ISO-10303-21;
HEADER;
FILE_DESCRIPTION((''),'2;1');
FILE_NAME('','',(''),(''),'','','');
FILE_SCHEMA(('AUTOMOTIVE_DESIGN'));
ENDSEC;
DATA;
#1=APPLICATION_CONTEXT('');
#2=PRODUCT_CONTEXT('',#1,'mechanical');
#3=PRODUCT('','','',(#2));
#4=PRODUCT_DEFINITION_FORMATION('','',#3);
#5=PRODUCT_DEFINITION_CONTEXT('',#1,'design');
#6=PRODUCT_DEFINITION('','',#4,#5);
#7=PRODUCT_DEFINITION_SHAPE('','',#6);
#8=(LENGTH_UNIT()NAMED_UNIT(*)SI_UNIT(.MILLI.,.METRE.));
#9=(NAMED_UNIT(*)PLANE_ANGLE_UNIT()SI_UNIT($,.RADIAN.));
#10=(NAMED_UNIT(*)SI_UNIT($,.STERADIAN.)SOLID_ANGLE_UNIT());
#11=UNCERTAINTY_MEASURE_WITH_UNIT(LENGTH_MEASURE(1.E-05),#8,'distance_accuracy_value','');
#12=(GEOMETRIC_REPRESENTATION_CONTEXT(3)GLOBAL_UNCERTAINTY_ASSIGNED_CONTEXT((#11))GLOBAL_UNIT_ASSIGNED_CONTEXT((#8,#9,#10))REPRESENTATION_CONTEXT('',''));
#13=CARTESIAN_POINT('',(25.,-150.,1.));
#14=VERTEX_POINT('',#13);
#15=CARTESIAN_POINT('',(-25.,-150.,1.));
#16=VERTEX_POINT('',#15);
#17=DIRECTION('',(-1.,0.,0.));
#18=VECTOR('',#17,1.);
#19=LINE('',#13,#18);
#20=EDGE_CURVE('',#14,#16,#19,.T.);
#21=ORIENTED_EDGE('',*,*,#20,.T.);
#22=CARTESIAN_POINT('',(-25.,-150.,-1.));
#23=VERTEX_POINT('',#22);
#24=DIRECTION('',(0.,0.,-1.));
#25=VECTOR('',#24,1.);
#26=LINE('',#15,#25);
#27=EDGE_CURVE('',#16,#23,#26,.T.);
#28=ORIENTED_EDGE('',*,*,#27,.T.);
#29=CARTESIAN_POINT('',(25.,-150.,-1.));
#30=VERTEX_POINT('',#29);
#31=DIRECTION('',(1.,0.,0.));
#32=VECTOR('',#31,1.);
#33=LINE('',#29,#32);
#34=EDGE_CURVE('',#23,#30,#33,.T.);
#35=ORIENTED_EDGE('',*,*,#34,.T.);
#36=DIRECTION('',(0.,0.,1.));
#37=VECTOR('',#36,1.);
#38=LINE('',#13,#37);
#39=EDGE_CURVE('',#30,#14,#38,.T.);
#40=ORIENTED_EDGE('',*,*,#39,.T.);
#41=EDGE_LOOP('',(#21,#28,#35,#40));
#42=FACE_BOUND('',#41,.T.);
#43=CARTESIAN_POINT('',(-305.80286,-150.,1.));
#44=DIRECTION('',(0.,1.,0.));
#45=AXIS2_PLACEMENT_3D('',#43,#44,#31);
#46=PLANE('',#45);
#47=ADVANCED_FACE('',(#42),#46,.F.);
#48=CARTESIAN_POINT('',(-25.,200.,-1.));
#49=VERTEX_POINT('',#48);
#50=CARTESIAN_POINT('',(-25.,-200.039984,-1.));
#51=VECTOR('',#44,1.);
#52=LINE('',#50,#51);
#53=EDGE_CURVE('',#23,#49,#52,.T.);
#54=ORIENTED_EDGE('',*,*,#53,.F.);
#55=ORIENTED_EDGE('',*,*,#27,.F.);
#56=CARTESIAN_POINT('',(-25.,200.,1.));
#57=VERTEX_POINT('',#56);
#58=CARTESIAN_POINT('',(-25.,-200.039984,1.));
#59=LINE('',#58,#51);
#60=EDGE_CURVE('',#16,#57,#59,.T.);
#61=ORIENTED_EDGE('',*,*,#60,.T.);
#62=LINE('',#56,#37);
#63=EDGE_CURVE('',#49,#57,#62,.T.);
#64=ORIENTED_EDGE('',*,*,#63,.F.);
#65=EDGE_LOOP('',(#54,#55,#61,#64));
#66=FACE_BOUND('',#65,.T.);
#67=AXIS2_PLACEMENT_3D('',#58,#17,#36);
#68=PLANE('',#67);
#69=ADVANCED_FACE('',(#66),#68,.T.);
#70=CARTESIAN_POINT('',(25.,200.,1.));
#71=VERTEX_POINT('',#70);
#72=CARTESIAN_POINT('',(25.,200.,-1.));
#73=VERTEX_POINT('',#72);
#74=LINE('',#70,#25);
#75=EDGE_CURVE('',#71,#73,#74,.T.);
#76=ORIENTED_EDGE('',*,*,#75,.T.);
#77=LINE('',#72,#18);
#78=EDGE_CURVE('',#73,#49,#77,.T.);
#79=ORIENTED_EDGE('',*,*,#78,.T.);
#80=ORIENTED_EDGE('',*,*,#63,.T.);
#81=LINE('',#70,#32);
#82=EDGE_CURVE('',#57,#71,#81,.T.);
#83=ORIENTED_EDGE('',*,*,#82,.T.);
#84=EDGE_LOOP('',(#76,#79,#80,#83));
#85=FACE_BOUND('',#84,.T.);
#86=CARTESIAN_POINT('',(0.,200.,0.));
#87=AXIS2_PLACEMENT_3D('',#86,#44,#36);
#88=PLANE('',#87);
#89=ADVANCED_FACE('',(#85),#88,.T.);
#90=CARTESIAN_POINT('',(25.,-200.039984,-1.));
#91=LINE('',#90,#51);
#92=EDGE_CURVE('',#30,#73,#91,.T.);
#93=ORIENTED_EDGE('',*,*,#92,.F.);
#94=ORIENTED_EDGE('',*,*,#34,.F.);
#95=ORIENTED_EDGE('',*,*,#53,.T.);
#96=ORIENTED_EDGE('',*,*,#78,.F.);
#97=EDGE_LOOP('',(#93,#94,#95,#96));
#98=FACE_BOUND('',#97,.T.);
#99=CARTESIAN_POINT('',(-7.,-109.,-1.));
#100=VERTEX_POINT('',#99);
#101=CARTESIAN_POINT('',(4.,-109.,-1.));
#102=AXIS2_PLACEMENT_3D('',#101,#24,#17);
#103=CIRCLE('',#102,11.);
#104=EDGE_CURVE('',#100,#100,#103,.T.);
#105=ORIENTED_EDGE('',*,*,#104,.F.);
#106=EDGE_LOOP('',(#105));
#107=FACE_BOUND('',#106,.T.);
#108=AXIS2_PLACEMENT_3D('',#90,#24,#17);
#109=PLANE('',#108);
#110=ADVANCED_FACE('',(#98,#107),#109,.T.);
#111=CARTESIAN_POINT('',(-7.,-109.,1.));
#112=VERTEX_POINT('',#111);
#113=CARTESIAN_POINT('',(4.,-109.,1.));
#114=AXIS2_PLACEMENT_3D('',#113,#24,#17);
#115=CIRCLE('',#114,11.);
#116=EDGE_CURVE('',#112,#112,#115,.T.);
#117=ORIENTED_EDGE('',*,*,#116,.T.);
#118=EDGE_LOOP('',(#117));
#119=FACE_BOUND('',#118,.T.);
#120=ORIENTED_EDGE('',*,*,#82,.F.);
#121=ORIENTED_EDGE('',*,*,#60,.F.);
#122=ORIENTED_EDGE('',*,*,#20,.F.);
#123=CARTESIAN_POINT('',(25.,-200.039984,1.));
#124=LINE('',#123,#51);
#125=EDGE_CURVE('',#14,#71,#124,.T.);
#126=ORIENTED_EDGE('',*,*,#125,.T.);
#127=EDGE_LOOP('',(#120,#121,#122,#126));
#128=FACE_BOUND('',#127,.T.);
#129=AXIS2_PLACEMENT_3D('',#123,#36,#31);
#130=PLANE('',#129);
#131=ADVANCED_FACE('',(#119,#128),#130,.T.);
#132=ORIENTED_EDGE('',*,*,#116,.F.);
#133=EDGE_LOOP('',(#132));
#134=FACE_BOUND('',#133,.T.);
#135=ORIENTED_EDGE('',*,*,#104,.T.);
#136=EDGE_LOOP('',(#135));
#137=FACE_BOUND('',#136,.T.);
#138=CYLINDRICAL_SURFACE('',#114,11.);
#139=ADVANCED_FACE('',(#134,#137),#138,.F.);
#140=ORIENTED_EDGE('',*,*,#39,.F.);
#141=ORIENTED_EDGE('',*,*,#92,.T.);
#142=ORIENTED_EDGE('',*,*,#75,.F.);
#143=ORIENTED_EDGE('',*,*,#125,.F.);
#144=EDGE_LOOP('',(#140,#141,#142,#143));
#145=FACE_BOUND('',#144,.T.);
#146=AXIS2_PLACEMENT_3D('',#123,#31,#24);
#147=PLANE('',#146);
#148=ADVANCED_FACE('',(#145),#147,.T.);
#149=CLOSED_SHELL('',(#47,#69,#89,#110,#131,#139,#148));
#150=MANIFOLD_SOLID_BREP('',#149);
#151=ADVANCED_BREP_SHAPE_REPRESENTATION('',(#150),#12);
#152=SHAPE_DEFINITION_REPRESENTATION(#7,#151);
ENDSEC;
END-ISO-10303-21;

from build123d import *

# Parameters (mm, degrees)
BOSS_EXTRUDE1_DEPTH      = 200
BOSS_EXTRUDE1_DEPTH_BACK = 150
SKETCH1_W                = 50
SKETCH1_H                = 2
SKETCH2_R                = 11
CUT_EXTRUDE1_DEPTH       = 202.566366242


with BuildPart() as part:
    # Sketch1 → Boss-Extrude1 (new, two sides: drawn at the far end of the back side and taken through both)
    with BuildSketch(Plane(origin=(0, 0, 0), x_dir=(1, 0, 0), z_dir=(0, 1, 0)).offset(-BOSS_EXTRUDE1_DEPTH_BACK)):
        Rectangle(SKETCH1_W, SKETCH1_H)
    extrude(amount=BOSS_EXTRUDE1_DEPTH + BOSS_EXTRUDE1_DEPTH_BACK)

    # Sketch2 → Cut-Extrude1 (cut, through all)
    with BuildSketch(Plane(origin=(0, 0, -1), x_dir=(-1, 0, 0), z_dir=(0, 0, -1))):
        with Locations((-4, -109)):
            Circle(SKETCH2_R)
    extrude(amount=-CUT_EXTRUDE1_DEPTH, mode=Mode.SUBTRACT)


solid = part.part
